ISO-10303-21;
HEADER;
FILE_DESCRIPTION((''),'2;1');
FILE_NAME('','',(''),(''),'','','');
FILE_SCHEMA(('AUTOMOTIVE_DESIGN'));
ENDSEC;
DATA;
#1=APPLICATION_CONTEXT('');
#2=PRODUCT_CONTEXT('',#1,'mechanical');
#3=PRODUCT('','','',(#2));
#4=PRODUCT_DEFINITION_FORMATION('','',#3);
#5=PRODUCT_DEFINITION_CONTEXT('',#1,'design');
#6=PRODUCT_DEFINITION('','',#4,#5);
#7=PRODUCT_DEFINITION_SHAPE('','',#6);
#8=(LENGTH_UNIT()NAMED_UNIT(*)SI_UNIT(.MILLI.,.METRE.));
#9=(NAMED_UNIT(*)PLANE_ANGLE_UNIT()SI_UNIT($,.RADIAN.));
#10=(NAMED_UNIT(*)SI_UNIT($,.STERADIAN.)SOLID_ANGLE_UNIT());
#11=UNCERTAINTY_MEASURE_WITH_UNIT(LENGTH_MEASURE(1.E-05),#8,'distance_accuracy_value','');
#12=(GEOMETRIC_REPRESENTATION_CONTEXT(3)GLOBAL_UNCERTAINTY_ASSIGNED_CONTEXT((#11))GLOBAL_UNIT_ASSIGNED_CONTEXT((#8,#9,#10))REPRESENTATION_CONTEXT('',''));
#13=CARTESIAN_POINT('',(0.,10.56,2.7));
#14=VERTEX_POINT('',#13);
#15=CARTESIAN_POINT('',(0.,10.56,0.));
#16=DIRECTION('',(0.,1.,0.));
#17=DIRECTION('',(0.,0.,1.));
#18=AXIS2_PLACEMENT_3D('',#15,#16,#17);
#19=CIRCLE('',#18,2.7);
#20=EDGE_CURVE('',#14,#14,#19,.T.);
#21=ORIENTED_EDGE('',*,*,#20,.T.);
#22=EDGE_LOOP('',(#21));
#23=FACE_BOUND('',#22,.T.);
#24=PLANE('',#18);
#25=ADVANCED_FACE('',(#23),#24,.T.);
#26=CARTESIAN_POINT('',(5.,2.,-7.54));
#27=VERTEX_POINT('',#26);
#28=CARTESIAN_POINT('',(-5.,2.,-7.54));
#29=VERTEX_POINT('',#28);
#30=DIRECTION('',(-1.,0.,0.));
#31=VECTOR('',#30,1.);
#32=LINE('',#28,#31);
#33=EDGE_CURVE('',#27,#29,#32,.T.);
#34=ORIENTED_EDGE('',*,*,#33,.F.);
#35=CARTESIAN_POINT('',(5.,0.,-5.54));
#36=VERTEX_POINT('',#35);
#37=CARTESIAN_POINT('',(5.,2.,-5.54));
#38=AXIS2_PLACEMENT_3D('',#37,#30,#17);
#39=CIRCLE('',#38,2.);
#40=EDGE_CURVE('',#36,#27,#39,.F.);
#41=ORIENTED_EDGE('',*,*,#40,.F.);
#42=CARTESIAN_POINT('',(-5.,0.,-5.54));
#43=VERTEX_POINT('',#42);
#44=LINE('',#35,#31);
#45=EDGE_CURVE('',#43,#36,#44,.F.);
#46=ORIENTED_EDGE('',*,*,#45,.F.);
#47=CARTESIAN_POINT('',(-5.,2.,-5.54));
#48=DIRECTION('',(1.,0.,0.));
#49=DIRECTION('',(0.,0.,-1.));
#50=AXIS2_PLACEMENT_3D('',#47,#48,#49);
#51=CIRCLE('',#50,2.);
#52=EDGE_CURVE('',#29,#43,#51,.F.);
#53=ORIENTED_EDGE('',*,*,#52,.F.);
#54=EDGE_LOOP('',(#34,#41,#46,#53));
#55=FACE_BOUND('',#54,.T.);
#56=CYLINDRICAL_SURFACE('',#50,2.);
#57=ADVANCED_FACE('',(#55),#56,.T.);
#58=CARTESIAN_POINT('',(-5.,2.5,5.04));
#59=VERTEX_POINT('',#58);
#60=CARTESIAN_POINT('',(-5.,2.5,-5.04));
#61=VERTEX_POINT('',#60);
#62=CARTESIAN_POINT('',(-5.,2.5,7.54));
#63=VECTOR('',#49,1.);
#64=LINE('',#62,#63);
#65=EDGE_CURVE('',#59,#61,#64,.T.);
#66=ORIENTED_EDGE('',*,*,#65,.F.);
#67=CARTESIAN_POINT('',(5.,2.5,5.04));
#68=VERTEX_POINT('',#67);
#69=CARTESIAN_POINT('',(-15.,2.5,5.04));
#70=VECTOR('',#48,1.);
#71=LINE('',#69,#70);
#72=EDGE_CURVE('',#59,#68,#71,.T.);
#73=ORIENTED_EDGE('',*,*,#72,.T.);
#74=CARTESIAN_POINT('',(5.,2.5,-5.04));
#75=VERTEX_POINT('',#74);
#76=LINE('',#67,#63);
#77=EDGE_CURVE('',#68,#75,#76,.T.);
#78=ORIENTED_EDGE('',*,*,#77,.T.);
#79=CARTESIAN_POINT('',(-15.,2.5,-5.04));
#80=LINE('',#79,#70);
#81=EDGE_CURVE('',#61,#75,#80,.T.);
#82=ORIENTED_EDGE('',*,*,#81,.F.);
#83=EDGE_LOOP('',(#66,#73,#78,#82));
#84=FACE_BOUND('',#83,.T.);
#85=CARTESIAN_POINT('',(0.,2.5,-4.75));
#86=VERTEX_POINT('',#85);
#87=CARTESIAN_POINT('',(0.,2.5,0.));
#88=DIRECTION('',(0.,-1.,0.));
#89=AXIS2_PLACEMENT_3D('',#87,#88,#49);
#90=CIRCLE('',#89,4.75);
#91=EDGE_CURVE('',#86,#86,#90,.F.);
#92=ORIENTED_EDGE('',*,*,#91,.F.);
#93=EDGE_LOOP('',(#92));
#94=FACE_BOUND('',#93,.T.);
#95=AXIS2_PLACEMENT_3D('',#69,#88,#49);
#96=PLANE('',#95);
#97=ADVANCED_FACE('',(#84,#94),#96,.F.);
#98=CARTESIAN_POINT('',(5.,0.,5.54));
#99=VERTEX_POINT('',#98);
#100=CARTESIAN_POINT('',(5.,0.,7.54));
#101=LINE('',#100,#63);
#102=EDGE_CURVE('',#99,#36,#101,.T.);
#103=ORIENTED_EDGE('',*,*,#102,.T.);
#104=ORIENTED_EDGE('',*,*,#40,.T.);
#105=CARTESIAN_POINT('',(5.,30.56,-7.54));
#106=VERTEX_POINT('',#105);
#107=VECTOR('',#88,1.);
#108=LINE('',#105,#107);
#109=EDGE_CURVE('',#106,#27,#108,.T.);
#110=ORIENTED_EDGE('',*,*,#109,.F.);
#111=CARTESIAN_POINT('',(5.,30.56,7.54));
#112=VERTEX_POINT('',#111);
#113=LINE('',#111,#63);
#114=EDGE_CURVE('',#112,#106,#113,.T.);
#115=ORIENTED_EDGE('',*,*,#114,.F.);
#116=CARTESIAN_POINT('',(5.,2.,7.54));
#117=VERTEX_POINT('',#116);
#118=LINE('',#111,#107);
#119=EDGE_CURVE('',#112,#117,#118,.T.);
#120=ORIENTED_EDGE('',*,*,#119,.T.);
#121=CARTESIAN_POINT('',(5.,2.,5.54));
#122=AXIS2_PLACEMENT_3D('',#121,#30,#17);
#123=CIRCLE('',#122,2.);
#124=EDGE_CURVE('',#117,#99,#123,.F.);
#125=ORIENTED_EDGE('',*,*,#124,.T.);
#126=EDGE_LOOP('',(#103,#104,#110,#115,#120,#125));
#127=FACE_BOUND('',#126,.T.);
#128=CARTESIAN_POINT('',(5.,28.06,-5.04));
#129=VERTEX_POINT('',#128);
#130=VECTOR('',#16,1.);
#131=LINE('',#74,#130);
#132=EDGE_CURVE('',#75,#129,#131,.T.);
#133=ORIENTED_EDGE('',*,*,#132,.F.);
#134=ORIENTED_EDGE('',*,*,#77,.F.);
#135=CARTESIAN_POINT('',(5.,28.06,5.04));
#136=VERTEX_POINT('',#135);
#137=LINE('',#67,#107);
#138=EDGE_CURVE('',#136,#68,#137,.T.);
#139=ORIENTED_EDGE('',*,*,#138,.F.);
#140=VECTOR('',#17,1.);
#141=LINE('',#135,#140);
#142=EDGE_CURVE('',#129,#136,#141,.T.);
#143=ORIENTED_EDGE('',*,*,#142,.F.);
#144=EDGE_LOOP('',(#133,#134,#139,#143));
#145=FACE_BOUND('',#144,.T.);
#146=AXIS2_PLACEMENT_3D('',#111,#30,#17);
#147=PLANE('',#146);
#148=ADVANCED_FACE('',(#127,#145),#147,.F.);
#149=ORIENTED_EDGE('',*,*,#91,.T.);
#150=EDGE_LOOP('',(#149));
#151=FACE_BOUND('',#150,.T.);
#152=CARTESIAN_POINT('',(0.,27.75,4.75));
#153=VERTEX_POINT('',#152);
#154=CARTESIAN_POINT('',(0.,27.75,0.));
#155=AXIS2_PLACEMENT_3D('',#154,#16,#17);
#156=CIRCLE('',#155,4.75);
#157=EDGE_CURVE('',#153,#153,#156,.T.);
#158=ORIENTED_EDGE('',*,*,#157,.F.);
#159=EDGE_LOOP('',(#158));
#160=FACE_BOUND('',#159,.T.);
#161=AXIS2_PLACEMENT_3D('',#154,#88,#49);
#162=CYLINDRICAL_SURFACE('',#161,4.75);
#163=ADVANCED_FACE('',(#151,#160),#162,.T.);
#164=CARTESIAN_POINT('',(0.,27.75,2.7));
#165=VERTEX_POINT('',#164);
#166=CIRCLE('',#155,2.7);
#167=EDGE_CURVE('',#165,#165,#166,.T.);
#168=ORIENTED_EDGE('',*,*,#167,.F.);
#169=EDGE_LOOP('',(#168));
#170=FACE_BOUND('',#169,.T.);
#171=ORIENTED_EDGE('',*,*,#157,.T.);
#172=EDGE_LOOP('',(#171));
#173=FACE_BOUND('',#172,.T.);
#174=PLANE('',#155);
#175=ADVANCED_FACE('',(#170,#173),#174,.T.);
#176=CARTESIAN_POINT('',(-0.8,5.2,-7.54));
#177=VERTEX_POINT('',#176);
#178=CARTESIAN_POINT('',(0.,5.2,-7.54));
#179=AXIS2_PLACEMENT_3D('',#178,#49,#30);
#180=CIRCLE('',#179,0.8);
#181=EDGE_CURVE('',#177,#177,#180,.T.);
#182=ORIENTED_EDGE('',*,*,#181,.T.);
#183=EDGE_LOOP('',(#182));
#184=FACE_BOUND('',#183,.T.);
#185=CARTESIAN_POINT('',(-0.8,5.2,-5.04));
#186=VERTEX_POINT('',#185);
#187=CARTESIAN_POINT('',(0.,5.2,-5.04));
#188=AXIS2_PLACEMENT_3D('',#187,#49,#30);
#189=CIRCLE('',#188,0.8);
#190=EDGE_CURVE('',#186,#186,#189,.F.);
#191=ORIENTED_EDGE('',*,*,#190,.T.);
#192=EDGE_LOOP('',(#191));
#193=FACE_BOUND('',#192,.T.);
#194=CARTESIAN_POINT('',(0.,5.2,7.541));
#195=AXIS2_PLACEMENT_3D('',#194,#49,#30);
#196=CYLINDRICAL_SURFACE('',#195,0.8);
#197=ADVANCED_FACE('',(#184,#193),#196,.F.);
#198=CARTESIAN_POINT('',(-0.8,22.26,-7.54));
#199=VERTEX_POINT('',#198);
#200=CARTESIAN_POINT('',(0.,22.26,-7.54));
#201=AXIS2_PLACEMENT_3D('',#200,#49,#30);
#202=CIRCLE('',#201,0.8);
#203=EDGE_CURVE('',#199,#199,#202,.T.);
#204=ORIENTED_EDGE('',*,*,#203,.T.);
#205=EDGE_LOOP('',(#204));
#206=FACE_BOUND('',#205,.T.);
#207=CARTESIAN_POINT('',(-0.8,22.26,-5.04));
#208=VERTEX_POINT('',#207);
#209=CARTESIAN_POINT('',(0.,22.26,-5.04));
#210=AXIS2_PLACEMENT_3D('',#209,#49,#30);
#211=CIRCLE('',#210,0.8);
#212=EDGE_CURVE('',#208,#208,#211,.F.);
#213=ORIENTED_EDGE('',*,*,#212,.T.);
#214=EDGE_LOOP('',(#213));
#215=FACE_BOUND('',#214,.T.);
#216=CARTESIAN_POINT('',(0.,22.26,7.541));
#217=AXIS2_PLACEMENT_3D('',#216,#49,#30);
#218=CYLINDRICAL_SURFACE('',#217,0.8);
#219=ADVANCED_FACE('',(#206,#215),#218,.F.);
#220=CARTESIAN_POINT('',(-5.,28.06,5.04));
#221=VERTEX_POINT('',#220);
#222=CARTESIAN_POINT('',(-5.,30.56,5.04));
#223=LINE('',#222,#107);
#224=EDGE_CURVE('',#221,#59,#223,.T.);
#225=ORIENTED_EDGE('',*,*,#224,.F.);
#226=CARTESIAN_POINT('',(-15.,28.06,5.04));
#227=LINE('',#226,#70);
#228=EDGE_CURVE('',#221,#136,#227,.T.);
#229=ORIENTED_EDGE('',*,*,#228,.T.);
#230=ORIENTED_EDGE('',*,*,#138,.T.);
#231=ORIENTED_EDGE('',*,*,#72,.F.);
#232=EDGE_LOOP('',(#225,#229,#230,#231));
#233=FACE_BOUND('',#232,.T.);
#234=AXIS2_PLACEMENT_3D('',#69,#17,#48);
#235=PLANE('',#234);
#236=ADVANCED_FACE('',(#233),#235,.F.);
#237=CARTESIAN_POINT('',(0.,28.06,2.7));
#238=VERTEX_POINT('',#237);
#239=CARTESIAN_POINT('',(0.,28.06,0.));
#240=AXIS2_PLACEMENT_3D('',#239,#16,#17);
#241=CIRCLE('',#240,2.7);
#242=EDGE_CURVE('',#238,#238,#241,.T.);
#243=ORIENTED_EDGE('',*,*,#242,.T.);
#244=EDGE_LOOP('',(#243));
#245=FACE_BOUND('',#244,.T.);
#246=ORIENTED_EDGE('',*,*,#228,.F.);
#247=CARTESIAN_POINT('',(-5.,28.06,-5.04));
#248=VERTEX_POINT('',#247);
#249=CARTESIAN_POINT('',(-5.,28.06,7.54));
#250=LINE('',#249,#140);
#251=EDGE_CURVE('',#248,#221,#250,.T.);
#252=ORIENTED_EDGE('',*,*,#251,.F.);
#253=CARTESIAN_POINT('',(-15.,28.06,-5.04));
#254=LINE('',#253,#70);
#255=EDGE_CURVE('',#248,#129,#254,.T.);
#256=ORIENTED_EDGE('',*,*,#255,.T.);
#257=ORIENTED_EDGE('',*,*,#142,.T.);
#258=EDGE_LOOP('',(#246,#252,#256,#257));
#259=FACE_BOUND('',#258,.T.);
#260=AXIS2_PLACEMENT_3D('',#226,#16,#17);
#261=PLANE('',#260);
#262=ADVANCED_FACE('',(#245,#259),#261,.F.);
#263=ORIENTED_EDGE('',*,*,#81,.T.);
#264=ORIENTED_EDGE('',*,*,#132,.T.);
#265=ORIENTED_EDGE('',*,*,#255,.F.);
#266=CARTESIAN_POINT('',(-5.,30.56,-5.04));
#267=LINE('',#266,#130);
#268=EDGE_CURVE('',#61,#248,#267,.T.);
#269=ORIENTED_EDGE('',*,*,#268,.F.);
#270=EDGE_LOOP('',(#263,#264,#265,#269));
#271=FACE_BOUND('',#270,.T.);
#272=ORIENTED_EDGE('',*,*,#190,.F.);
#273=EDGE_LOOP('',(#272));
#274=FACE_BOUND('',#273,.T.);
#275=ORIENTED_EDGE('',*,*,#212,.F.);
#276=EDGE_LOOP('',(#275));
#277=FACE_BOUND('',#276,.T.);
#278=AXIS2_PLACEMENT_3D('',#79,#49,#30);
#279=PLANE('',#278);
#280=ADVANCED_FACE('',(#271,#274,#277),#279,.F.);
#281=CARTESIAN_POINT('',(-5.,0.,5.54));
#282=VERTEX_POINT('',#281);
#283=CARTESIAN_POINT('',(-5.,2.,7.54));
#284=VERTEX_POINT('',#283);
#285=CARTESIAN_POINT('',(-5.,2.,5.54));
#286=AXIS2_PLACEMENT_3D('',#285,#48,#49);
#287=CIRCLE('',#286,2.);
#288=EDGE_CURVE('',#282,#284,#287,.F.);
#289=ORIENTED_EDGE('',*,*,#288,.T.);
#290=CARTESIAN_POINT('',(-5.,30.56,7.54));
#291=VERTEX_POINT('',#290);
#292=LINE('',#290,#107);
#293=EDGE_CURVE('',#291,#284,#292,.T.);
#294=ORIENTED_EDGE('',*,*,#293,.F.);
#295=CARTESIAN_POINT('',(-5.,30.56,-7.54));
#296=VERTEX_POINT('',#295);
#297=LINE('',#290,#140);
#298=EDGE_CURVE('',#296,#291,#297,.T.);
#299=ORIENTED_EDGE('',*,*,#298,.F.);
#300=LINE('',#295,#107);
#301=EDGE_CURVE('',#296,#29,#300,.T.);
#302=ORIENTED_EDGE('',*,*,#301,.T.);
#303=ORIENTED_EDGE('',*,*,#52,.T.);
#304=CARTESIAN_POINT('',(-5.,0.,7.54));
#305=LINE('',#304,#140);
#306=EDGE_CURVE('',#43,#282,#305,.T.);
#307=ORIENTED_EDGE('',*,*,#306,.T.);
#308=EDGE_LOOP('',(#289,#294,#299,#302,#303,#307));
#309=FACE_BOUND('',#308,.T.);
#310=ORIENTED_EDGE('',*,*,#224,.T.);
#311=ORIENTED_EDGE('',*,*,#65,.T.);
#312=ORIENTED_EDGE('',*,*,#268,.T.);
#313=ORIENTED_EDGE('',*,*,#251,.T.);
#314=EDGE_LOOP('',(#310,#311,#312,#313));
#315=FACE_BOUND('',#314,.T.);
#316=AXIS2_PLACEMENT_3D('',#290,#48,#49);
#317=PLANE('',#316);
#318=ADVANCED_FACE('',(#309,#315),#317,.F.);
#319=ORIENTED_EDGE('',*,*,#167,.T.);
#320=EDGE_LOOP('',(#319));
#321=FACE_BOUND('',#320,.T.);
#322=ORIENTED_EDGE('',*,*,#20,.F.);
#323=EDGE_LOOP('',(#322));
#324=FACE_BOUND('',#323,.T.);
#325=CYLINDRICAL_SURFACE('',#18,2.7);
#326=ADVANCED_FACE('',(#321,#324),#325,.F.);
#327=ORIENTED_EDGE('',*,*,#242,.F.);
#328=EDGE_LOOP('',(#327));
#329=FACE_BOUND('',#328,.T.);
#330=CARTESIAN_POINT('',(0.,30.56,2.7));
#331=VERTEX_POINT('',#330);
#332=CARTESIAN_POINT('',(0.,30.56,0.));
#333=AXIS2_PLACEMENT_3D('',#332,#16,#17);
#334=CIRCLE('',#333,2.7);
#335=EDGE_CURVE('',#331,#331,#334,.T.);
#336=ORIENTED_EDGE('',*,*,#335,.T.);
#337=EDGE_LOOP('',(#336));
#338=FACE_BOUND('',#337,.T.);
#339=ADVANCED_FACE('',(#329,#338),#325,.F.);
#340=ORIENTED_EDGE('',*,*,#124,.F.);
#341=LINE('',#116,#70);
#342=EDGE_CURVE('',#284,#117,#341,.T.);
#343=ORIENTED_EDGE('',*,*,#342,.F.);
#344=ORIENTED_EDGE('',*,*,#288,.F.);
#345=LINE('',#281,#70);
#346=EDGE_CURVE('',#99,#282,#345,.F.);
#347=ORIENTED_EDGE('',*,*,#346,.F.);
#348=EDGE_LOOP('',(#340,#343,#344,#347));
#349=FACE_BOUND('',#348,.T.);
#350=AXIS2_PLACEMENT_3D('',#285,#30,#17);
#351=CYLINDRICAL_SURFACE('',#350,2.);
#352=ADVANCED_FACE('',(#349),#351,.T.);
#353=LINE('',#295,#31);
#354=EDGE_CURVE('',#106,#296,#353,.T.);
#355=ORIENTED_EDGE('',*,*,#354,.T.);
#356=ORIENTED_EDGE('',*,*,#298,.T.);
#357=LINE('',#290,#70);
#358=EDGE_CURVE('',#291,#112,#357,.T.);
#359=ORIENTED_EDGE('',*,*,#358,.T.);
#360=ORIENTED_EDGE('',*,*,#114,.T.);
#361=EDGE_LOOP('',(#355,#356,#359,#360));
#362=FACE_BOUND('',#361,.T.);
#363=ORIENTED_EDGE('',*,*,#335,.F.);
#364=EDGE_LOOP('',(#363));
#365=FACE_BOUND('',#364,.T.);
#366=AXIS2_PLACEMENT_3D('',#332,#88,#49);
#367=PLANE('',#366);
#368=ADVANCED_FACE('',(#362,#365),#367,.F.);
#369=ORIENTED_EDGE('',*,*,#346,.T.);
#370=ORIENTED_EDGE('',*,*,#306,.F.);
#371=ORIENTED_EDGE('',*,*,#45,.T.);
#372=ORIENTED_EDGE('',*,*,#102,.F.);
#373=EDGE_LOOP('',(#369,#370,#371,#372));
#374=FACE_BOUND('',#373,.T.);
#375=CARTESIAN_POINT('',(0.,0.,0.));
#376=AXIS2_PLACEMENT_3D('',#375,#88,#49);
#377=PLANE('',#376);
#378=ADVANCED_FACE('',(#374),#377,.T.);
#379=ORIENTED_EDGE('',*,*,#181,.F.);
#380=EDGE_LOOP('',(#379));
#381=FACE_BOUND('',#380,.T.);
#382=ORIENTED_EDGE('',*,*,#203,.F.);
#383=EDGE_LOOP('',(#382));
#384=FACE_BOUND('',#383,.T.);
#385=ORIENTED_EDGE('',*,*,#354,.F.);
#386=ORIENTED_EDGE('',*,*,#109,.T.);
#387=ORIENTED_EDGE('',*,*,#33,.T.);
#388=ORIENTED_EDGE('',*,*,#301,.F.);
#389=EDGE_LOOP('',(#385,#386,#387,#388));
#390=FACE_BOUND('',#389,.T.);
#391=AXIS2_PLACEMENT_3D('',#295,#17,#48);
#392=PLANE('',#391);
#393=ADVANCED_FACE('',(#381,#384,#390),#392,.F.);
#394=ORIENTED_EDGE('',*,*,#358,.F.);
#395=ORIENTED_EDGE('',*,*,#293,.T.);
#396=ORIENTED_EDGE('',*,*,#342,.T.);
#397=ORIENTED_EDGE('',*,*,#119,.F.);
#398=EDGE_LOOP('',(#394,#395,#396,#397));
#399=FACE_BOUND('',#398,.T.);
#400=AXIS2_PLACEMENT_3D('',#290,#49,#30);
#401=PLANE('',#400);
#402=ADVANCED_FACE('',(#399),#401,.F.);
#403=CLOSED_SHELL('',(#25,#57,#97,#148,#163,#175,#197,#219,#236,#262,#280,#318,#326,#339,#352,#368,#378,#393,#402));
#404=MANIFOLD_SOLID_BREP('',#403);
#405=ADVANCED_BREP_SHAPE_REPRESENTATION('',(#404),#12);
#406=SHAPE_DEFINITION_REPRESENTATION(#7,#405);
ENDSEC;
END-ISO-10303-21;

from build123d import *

# Parameters (mm, degrees)
SKETCH1_W           = 10
SKETCH1_H           = 15.08
BOSS_EXTRUDE1_DEPTH = 30.56
SKETCH2_W           = 10.08
SKETCH2_H           = 25.56
CUT_EXTRUDE1_DEPTH  = 20
SKETCH5_R           = 4.75
BOSS_EXTRUDE2_DEPTH = 25.25
SKETCH3_R           = 2.7
CUT_EXTRUDE2_DEPTH  = 20
FILLET1_R           = 2
CUT_EXTRUDE3_REACH  = 36.443
SKETCH4_R           = 0.8


with BuildPart() as part:
    # Sketch1 → Boss-Extrude1 (new body)
    with BuildSketch(Plane(origin=(0, 0, 0), x_dir=(1, 0, 0), z_dir=(0, 1, 0))):
        Rectangle(SKETCH1_W, SKETCH1_H)
    extrude(amount=BOSS_EXTRUDE1_DEPTH)

    # Sketch2 → Cut-Extrude1 (cut)
    with BuildSketch(Plane(origin=(5, 0, 0), x_dir=(0, 0, -1), z_dir=(1, 0, 0))):
        with Locations((0, 15.28)):
            Rectangle(SKETCH2_W, SKETCH2_H)
    extrude(amount=-CUT_EXTRUDE1_DEPTH, mode=Mode.SUBTRACT)

    # Sketch5 → Boss-Extrude2 (add)
    with BuildSketch(Plane(origin=(0, 2.5, 0), x_dir=(1, 0, 0), z_dir=(0, 1, 0))):
        with Locations(Location((0, 0, 0), (0, 0, 90))):
            Circle(SKETCH5_R)
    extrude(amount=BOSS_EXTRUDE2_DEPTH)

    # Sketch3 → Cut-Extrude2 (cut)
    with BuildSketch(Plane(origin=(0, 30.56, 0), x_dir=(1, 0, 0), z_dir=(0, 1, 0))):
        with Locations(Location((0, 0, 0), (0, 0, 270))):
            Circle(SKETCH3_R)
    extrude(amount=-CUT_EXTRUDE2_DEPTH, mode=Mode.SUBTRACT)

    # Fillet1
    fillet1_edges = [part.edges().sort_by_distance(p)[0] for p in [
        (0, 0, 7.54),
        (0, 0, -7.54),
    ]]
    fillet(fillet1_edges, radius=FILLET1_R)

    # Sketch4 → Cut-Extrude3 (cut, up to next)
    with BuildSketch(Plane(origin=(0, 0, -7.54), x_dir=(-1, 0, 0), z_dir=(0, 0, -1)), mode=Mode.PRIVATE) as cut_extrude3_sk1:
        with Locations((0, 22.26)):
            Circle(SKETCH4_R)
    cut_extrude3_tool1 = extrude(cut_extrude3_sk1.sketch, amount=-CUT_EXTRUDE3_REACH, mode=Mode.PRIVATE) & part.part
    # Sketch4 → Cut-Extrude3 (cut, up to next)
    with BuildSketch(Plane(origin=(0, 0, -7.54), x_dir=(-1, 0, 0), z_dir=(0, 0, -1)), mode=Mode.PRIVATE) as cut_extrude3_sk2:
        with Locations((0, 5.2)):
            Circle(SKETCH4_R)
    cut_extrude3_tool2 = extrude(cut_extrude3_sk2.sketch, amount=-CUT_EXTRUDE3_REACH, mode=Mode.PRIVATE) & part.part
    add(cut_extrude3_tool1.solids().sort_by_distance((0, 22.26, -7.54))[0], mode=Mode.SUBTRACT)
    add(cut_extrude3_tool2.solids().sort_by_distance((0, 5.2, -7.54))[0], mode=Mode.SUBTRACT)


solid = part.part
